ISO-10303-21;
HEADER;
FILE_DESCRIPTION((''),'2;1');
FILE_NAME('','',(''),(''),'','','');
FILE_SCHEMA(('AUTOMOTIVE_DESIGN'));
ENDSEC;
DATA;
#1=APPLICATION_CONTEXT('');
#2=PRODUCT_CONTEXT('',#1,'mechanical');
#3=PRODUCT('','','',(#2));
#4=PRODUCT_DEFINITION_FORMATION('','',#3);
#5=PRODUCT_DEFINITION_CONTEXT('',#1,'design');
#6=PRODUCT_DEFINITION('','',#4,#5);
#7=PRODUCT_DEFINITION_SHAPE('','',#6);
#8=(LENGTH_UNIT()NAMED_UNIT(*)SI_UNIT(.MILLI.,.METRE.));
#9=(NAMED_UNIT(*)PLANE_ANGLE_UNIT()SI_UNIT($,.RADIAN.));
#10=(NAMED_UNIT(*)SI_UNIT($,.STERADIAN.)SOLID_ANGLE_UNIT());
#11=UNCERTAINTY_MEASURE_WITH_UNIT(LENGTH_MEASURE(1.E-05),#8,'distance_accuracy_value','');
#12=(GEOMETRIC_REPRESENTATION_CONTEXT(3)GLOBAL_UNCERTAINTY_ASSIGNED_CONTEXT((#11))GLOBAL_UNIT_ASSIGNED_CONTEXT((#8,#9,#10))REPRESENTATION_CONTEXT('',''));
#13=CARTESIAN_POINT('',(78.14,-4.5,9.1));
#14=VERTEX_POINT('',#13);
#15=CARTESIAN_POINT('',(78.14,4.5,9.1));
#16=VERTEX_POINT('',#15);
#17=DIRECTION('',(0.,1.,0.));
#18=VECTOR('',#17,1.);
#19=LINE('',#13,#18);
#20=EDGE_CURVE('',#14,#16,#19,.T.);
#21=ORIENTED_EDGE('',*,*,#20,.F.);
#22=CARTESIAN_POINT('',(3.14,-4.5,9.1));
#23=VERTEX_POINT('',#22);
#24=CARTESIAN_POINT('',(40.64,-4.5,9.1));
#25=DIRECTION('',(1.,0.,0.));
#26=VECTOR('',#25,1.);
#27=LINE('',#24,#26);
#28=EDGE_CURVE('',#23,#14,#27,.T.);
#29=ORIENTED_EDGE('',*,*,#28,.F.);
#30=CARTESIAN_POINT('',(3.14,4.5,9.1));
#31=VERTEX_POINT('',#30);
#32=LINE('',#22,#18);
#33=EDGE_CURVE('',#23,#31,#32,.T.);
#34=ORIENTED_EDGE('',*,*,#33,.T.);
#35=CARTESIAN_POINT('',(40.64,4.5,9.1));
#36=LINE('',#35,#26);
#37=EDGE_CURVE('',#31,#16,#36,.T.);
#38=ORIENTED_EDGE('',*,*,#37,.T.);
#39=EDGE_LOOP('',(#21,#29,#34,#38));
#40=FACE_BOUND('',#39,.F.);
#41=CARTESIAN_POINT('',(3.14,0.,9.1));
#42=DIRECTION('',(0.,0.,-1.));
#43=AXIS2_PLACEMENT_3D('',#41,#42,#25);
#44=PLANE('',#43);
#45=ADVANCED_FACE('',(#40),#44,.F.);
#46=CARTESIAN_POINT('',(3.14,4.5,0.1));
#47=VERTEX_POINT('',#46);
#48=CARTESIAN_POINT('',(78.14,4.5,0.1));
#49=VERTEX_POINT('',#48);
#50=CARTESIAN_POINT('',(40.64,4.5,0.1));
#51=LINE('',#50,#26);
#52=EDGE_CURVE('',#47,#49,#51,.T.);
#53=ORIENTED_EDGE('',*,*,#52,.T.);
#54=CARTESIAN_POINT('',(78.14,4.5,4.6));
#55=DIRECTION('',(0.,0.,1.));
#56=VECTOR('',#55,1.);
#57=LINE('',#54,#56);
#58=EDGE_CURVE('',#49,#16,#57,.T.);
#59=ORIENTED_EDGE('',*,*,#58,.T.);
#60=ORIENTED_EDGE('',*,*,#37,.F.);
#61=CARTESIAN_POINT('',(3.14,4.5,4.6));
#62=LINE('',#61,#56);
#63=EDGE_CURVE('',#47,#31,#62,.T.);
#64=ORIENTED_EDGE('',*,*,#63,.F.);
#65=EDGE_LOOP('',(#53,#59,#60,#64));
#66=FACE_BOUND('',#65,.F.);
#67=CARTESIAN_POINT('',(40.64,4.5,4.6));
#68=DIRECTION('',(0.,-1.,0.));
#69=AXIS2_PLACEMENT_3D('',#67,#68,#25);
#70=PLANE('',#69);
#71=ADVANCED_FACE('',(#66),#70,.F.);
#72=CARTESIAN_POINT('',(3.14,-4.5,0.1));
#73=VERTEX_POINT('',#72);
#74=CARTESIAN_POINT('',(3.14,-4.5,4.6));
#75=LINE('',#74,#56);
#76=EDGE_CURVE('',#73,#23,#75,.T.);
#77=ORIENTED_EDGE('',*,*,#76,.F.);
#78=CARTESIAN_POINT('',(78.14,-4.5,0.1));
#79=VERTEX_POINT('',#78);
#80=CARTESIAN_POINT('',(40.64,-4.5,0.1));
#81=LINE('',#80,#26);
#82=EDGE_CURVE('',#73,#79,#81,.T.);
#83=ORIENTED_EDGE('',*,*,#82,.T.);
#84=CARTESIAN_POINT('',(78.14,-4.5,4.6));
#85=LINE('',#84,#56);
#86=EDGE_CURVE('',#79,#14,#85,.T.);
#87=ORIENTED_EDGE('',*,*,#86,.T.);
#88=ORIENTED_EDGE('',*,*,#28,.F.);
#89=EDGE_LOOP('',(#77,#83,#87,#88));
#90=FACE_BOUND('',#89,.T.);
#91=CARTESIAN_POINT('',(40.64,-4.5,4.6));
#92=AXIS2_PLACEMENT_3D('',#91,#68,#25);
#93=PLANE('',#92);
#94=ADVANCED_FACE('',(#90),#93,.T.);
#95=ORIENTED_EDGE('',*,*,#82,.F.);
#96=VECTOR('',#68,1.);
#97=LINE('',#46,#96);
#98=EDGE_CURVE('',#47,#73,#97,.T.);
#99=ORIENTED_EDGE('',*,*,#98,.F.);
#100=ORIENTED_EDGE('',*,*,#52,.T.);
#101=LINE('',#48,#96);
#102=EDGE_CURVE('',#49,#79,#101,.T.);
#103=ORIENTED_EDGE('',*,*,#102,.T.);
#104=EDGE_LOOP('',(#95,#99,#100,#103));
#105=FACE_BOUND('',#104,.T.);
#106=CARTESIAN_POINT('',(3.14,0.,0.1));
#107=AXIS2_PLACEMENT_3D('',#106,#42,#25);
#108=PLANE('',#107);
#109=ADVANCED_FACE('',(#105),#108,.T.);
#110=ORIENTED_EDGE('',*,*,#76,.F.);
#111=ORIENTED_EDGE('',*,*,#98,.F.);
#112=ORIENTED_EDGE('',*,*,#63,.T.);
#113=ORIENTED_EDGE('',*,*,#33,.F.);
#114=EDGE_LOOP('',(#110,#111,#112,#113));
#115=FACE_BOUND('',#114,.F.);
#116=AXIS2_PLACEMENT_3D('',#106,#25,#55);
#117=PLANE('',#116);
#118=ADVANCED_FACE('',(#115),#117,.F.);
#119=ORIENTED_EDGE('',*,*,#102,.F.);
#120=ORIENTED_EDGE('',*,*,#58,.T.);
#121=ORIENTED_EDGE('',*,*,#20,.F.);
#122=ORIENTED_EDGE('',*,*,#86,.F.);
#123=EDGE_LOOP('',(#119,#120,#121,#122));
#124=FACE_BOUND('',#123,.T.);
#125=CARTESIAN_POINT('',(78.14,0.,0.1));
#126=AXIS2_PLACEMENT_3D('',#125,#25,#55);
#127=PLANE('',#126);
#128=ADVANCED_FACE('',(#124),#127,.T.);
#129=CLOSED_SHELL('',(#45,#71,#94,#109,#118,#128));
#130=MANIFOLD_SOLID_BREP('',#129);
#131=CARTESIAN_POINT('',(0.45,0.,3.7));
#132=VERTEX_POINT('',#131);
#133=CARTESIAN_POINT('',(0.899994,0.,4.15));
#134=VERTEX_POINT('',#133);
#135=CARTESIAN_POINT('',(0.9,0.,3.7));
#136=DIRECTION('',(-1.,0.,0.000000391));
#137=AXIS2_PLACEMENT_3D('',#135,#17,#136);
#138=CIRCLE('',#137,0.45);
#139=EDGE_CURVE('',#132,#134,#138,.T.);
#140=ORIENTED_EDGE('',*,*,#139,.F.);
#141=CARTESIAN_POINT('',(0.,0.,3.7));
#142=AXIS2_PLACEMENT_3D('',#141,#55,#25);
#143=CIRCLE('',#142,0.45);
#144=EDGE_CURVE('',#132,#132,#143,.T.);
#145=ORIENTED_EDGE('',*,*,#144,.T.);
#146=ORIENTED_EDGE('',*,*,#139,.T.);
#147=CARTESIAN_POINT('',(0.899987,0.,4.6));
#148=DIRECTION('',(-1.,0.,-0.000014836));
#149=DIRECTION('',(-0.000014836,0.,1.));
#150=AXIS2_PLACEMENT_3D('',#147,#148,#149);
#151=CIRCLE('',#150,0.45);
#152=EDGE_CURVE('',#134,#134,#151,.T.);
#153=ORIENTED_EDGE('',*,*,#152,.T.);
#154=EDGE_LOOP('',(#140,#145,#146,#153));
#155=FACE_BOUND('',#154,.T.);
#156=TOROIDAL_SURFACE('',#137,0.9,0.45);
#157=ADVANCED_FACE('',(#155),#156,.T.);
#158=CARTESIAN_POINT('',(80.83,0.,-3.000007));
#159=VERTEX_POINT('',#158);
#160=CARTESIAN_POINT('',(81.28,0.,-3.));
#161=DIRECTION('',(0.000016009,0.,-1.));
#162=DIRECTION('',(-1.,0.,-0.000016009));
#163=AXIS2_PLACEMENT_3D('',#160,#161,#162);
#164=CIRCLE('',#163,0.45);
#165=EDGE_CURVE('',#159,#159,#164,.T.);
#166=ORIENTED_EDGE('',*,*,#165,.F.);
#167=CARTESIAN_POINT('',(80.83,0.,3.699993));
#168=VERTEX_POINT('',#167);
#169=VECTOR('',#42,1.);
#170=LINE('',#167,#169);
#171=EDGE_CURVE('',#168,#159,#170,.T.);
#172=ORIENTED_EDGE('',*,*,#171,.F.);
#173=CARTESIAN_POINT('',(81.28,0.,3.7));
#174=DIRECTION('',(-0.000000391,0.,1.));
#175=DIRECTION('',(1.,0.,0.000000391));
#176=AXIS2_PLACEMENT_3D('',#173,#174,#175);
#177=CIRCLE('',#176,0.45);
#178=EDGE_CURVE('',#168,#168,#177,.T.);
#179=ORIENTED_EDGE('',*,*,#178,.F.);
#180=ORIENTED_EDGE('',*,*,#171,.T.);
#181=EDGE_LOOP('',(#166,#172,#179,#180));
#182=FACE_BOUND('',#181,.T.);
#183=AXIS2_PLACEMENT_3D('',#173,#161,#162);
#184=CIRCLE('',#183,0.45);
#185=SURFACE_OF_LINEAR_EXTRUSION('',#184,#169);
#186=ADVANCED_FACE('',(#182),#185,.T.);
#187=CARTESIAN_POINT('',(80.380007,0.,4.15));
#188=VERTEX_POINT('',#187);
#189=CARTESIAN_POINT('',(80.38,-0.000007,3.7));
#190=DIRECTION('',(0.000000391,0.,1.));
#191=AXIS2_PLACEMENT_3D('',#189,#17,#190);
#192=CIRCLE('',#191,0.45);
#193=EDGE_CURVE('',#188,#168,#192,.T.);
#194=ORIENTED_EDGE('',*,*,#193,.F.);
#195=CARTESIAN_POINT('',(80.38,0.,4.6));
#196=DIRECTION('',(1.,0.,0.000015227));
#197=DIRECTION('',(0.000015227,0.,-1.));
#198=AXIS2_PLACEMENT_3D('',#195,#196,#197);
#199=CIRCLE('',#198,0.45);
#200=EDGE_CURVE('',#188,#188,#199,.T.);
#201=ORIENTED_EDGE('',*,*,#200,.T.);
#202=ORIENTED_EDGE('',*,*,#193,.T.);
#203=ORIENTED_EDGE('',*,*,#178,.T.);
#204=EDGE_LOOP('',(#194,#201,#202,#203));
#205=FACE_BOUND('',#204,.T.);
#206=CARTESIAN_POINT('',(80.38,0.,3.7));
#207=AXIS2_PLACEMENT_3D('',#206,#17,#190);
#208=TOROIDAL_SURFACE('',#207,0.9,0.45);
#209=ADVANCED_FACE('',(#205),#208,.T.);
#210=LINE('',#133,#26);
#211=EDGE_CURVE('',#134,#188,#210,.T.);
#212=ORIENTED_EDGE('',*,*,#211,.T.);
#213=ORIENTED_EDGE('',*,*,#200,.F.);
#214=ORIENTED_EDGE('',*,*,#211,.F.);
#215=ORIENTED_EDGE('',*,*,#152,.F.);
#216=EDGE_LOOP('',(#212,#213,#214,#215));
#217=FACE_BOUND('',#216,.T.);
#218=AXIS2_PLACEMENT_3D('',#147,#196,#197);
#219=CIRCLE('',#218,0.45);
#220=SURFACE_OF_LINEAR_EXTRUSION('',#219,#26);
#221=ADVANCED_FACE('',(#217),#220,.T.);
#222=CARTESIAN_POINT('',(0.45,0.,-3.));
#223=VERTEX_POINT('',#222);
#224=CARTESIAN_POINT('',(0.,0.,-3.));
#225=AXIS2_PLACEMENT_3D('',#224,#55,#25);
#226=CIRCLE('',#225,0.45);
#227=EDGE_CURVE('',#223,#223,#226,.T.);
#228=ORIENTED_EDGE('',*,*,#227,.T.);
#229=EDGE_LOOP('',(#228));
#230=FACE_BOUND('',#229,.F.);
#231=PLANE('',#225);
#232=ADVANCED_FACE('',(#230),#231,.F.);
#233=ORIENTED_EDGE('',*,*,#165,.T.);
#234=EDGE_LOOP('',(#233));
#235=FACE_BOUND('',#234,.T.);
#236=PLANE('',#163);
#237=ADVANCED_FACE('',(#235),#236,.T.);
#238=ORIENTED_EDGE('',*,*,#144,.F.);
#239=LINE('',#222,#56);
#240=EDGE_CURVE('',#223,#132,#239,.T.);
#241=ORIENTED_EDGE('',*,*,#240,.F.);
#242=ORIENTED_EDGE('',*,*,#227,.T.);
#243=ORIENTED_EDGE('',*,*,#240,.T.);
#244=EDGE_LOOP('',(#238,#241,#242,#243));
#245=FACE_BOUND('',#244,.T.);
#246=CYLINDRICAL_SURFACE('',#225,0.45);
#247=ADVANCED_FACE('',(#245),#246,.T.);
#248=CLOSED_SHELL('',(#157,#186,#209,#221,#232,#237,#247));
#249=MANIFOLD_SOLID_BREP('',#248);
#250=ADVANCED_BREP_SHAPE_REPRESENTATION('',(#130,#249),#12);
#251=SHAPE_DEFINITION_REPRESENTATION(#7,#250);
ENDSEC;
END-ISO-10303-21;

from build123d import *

# Parameters (mm, degrees)
SKETCH_R    = 0.45
SKETCH002_W = 75
SKETCH002_H = 9
PAD_DEPTH   = 4.5


with BuildPart() as sweep_body:
    # Sweep: sweep along a path in Sketch001
    with BuildLine(Plane.XZ) as sweep_path:
        Line((0, -3), (0, 3.7))
        ThreePointArc((0, 3.7), (0.263599, 4.336391), (0.899987, 4.6))
        Line((0.899987, 4.6), (80.38, 4.6))
        ThreePointArc((80.38, 4.6), (81.016396, 4.336396), (81.28, 3.7))
        Line((81.28, 3.7), (81.28, -3))
    # Sketch → Sweep (sweep)
    with BuildSketch(Plane.XY.offset(-2)):
        Circle(SKETCH_R)
    sweep(path=sweep_path.line)


with BuildPart() as pad:
    # Sketch002 → Pad (new body, symmetric)
    with BuildSketch(Plane.XZ):
        with Locations((40.64, 4.6)):
            Rectangle(SKETCH002_W, SKETCH002_H)
    extrude(amount=PAD_DEPTH, both=True)


solid = Compound([sweep_body.part, pad.part])
